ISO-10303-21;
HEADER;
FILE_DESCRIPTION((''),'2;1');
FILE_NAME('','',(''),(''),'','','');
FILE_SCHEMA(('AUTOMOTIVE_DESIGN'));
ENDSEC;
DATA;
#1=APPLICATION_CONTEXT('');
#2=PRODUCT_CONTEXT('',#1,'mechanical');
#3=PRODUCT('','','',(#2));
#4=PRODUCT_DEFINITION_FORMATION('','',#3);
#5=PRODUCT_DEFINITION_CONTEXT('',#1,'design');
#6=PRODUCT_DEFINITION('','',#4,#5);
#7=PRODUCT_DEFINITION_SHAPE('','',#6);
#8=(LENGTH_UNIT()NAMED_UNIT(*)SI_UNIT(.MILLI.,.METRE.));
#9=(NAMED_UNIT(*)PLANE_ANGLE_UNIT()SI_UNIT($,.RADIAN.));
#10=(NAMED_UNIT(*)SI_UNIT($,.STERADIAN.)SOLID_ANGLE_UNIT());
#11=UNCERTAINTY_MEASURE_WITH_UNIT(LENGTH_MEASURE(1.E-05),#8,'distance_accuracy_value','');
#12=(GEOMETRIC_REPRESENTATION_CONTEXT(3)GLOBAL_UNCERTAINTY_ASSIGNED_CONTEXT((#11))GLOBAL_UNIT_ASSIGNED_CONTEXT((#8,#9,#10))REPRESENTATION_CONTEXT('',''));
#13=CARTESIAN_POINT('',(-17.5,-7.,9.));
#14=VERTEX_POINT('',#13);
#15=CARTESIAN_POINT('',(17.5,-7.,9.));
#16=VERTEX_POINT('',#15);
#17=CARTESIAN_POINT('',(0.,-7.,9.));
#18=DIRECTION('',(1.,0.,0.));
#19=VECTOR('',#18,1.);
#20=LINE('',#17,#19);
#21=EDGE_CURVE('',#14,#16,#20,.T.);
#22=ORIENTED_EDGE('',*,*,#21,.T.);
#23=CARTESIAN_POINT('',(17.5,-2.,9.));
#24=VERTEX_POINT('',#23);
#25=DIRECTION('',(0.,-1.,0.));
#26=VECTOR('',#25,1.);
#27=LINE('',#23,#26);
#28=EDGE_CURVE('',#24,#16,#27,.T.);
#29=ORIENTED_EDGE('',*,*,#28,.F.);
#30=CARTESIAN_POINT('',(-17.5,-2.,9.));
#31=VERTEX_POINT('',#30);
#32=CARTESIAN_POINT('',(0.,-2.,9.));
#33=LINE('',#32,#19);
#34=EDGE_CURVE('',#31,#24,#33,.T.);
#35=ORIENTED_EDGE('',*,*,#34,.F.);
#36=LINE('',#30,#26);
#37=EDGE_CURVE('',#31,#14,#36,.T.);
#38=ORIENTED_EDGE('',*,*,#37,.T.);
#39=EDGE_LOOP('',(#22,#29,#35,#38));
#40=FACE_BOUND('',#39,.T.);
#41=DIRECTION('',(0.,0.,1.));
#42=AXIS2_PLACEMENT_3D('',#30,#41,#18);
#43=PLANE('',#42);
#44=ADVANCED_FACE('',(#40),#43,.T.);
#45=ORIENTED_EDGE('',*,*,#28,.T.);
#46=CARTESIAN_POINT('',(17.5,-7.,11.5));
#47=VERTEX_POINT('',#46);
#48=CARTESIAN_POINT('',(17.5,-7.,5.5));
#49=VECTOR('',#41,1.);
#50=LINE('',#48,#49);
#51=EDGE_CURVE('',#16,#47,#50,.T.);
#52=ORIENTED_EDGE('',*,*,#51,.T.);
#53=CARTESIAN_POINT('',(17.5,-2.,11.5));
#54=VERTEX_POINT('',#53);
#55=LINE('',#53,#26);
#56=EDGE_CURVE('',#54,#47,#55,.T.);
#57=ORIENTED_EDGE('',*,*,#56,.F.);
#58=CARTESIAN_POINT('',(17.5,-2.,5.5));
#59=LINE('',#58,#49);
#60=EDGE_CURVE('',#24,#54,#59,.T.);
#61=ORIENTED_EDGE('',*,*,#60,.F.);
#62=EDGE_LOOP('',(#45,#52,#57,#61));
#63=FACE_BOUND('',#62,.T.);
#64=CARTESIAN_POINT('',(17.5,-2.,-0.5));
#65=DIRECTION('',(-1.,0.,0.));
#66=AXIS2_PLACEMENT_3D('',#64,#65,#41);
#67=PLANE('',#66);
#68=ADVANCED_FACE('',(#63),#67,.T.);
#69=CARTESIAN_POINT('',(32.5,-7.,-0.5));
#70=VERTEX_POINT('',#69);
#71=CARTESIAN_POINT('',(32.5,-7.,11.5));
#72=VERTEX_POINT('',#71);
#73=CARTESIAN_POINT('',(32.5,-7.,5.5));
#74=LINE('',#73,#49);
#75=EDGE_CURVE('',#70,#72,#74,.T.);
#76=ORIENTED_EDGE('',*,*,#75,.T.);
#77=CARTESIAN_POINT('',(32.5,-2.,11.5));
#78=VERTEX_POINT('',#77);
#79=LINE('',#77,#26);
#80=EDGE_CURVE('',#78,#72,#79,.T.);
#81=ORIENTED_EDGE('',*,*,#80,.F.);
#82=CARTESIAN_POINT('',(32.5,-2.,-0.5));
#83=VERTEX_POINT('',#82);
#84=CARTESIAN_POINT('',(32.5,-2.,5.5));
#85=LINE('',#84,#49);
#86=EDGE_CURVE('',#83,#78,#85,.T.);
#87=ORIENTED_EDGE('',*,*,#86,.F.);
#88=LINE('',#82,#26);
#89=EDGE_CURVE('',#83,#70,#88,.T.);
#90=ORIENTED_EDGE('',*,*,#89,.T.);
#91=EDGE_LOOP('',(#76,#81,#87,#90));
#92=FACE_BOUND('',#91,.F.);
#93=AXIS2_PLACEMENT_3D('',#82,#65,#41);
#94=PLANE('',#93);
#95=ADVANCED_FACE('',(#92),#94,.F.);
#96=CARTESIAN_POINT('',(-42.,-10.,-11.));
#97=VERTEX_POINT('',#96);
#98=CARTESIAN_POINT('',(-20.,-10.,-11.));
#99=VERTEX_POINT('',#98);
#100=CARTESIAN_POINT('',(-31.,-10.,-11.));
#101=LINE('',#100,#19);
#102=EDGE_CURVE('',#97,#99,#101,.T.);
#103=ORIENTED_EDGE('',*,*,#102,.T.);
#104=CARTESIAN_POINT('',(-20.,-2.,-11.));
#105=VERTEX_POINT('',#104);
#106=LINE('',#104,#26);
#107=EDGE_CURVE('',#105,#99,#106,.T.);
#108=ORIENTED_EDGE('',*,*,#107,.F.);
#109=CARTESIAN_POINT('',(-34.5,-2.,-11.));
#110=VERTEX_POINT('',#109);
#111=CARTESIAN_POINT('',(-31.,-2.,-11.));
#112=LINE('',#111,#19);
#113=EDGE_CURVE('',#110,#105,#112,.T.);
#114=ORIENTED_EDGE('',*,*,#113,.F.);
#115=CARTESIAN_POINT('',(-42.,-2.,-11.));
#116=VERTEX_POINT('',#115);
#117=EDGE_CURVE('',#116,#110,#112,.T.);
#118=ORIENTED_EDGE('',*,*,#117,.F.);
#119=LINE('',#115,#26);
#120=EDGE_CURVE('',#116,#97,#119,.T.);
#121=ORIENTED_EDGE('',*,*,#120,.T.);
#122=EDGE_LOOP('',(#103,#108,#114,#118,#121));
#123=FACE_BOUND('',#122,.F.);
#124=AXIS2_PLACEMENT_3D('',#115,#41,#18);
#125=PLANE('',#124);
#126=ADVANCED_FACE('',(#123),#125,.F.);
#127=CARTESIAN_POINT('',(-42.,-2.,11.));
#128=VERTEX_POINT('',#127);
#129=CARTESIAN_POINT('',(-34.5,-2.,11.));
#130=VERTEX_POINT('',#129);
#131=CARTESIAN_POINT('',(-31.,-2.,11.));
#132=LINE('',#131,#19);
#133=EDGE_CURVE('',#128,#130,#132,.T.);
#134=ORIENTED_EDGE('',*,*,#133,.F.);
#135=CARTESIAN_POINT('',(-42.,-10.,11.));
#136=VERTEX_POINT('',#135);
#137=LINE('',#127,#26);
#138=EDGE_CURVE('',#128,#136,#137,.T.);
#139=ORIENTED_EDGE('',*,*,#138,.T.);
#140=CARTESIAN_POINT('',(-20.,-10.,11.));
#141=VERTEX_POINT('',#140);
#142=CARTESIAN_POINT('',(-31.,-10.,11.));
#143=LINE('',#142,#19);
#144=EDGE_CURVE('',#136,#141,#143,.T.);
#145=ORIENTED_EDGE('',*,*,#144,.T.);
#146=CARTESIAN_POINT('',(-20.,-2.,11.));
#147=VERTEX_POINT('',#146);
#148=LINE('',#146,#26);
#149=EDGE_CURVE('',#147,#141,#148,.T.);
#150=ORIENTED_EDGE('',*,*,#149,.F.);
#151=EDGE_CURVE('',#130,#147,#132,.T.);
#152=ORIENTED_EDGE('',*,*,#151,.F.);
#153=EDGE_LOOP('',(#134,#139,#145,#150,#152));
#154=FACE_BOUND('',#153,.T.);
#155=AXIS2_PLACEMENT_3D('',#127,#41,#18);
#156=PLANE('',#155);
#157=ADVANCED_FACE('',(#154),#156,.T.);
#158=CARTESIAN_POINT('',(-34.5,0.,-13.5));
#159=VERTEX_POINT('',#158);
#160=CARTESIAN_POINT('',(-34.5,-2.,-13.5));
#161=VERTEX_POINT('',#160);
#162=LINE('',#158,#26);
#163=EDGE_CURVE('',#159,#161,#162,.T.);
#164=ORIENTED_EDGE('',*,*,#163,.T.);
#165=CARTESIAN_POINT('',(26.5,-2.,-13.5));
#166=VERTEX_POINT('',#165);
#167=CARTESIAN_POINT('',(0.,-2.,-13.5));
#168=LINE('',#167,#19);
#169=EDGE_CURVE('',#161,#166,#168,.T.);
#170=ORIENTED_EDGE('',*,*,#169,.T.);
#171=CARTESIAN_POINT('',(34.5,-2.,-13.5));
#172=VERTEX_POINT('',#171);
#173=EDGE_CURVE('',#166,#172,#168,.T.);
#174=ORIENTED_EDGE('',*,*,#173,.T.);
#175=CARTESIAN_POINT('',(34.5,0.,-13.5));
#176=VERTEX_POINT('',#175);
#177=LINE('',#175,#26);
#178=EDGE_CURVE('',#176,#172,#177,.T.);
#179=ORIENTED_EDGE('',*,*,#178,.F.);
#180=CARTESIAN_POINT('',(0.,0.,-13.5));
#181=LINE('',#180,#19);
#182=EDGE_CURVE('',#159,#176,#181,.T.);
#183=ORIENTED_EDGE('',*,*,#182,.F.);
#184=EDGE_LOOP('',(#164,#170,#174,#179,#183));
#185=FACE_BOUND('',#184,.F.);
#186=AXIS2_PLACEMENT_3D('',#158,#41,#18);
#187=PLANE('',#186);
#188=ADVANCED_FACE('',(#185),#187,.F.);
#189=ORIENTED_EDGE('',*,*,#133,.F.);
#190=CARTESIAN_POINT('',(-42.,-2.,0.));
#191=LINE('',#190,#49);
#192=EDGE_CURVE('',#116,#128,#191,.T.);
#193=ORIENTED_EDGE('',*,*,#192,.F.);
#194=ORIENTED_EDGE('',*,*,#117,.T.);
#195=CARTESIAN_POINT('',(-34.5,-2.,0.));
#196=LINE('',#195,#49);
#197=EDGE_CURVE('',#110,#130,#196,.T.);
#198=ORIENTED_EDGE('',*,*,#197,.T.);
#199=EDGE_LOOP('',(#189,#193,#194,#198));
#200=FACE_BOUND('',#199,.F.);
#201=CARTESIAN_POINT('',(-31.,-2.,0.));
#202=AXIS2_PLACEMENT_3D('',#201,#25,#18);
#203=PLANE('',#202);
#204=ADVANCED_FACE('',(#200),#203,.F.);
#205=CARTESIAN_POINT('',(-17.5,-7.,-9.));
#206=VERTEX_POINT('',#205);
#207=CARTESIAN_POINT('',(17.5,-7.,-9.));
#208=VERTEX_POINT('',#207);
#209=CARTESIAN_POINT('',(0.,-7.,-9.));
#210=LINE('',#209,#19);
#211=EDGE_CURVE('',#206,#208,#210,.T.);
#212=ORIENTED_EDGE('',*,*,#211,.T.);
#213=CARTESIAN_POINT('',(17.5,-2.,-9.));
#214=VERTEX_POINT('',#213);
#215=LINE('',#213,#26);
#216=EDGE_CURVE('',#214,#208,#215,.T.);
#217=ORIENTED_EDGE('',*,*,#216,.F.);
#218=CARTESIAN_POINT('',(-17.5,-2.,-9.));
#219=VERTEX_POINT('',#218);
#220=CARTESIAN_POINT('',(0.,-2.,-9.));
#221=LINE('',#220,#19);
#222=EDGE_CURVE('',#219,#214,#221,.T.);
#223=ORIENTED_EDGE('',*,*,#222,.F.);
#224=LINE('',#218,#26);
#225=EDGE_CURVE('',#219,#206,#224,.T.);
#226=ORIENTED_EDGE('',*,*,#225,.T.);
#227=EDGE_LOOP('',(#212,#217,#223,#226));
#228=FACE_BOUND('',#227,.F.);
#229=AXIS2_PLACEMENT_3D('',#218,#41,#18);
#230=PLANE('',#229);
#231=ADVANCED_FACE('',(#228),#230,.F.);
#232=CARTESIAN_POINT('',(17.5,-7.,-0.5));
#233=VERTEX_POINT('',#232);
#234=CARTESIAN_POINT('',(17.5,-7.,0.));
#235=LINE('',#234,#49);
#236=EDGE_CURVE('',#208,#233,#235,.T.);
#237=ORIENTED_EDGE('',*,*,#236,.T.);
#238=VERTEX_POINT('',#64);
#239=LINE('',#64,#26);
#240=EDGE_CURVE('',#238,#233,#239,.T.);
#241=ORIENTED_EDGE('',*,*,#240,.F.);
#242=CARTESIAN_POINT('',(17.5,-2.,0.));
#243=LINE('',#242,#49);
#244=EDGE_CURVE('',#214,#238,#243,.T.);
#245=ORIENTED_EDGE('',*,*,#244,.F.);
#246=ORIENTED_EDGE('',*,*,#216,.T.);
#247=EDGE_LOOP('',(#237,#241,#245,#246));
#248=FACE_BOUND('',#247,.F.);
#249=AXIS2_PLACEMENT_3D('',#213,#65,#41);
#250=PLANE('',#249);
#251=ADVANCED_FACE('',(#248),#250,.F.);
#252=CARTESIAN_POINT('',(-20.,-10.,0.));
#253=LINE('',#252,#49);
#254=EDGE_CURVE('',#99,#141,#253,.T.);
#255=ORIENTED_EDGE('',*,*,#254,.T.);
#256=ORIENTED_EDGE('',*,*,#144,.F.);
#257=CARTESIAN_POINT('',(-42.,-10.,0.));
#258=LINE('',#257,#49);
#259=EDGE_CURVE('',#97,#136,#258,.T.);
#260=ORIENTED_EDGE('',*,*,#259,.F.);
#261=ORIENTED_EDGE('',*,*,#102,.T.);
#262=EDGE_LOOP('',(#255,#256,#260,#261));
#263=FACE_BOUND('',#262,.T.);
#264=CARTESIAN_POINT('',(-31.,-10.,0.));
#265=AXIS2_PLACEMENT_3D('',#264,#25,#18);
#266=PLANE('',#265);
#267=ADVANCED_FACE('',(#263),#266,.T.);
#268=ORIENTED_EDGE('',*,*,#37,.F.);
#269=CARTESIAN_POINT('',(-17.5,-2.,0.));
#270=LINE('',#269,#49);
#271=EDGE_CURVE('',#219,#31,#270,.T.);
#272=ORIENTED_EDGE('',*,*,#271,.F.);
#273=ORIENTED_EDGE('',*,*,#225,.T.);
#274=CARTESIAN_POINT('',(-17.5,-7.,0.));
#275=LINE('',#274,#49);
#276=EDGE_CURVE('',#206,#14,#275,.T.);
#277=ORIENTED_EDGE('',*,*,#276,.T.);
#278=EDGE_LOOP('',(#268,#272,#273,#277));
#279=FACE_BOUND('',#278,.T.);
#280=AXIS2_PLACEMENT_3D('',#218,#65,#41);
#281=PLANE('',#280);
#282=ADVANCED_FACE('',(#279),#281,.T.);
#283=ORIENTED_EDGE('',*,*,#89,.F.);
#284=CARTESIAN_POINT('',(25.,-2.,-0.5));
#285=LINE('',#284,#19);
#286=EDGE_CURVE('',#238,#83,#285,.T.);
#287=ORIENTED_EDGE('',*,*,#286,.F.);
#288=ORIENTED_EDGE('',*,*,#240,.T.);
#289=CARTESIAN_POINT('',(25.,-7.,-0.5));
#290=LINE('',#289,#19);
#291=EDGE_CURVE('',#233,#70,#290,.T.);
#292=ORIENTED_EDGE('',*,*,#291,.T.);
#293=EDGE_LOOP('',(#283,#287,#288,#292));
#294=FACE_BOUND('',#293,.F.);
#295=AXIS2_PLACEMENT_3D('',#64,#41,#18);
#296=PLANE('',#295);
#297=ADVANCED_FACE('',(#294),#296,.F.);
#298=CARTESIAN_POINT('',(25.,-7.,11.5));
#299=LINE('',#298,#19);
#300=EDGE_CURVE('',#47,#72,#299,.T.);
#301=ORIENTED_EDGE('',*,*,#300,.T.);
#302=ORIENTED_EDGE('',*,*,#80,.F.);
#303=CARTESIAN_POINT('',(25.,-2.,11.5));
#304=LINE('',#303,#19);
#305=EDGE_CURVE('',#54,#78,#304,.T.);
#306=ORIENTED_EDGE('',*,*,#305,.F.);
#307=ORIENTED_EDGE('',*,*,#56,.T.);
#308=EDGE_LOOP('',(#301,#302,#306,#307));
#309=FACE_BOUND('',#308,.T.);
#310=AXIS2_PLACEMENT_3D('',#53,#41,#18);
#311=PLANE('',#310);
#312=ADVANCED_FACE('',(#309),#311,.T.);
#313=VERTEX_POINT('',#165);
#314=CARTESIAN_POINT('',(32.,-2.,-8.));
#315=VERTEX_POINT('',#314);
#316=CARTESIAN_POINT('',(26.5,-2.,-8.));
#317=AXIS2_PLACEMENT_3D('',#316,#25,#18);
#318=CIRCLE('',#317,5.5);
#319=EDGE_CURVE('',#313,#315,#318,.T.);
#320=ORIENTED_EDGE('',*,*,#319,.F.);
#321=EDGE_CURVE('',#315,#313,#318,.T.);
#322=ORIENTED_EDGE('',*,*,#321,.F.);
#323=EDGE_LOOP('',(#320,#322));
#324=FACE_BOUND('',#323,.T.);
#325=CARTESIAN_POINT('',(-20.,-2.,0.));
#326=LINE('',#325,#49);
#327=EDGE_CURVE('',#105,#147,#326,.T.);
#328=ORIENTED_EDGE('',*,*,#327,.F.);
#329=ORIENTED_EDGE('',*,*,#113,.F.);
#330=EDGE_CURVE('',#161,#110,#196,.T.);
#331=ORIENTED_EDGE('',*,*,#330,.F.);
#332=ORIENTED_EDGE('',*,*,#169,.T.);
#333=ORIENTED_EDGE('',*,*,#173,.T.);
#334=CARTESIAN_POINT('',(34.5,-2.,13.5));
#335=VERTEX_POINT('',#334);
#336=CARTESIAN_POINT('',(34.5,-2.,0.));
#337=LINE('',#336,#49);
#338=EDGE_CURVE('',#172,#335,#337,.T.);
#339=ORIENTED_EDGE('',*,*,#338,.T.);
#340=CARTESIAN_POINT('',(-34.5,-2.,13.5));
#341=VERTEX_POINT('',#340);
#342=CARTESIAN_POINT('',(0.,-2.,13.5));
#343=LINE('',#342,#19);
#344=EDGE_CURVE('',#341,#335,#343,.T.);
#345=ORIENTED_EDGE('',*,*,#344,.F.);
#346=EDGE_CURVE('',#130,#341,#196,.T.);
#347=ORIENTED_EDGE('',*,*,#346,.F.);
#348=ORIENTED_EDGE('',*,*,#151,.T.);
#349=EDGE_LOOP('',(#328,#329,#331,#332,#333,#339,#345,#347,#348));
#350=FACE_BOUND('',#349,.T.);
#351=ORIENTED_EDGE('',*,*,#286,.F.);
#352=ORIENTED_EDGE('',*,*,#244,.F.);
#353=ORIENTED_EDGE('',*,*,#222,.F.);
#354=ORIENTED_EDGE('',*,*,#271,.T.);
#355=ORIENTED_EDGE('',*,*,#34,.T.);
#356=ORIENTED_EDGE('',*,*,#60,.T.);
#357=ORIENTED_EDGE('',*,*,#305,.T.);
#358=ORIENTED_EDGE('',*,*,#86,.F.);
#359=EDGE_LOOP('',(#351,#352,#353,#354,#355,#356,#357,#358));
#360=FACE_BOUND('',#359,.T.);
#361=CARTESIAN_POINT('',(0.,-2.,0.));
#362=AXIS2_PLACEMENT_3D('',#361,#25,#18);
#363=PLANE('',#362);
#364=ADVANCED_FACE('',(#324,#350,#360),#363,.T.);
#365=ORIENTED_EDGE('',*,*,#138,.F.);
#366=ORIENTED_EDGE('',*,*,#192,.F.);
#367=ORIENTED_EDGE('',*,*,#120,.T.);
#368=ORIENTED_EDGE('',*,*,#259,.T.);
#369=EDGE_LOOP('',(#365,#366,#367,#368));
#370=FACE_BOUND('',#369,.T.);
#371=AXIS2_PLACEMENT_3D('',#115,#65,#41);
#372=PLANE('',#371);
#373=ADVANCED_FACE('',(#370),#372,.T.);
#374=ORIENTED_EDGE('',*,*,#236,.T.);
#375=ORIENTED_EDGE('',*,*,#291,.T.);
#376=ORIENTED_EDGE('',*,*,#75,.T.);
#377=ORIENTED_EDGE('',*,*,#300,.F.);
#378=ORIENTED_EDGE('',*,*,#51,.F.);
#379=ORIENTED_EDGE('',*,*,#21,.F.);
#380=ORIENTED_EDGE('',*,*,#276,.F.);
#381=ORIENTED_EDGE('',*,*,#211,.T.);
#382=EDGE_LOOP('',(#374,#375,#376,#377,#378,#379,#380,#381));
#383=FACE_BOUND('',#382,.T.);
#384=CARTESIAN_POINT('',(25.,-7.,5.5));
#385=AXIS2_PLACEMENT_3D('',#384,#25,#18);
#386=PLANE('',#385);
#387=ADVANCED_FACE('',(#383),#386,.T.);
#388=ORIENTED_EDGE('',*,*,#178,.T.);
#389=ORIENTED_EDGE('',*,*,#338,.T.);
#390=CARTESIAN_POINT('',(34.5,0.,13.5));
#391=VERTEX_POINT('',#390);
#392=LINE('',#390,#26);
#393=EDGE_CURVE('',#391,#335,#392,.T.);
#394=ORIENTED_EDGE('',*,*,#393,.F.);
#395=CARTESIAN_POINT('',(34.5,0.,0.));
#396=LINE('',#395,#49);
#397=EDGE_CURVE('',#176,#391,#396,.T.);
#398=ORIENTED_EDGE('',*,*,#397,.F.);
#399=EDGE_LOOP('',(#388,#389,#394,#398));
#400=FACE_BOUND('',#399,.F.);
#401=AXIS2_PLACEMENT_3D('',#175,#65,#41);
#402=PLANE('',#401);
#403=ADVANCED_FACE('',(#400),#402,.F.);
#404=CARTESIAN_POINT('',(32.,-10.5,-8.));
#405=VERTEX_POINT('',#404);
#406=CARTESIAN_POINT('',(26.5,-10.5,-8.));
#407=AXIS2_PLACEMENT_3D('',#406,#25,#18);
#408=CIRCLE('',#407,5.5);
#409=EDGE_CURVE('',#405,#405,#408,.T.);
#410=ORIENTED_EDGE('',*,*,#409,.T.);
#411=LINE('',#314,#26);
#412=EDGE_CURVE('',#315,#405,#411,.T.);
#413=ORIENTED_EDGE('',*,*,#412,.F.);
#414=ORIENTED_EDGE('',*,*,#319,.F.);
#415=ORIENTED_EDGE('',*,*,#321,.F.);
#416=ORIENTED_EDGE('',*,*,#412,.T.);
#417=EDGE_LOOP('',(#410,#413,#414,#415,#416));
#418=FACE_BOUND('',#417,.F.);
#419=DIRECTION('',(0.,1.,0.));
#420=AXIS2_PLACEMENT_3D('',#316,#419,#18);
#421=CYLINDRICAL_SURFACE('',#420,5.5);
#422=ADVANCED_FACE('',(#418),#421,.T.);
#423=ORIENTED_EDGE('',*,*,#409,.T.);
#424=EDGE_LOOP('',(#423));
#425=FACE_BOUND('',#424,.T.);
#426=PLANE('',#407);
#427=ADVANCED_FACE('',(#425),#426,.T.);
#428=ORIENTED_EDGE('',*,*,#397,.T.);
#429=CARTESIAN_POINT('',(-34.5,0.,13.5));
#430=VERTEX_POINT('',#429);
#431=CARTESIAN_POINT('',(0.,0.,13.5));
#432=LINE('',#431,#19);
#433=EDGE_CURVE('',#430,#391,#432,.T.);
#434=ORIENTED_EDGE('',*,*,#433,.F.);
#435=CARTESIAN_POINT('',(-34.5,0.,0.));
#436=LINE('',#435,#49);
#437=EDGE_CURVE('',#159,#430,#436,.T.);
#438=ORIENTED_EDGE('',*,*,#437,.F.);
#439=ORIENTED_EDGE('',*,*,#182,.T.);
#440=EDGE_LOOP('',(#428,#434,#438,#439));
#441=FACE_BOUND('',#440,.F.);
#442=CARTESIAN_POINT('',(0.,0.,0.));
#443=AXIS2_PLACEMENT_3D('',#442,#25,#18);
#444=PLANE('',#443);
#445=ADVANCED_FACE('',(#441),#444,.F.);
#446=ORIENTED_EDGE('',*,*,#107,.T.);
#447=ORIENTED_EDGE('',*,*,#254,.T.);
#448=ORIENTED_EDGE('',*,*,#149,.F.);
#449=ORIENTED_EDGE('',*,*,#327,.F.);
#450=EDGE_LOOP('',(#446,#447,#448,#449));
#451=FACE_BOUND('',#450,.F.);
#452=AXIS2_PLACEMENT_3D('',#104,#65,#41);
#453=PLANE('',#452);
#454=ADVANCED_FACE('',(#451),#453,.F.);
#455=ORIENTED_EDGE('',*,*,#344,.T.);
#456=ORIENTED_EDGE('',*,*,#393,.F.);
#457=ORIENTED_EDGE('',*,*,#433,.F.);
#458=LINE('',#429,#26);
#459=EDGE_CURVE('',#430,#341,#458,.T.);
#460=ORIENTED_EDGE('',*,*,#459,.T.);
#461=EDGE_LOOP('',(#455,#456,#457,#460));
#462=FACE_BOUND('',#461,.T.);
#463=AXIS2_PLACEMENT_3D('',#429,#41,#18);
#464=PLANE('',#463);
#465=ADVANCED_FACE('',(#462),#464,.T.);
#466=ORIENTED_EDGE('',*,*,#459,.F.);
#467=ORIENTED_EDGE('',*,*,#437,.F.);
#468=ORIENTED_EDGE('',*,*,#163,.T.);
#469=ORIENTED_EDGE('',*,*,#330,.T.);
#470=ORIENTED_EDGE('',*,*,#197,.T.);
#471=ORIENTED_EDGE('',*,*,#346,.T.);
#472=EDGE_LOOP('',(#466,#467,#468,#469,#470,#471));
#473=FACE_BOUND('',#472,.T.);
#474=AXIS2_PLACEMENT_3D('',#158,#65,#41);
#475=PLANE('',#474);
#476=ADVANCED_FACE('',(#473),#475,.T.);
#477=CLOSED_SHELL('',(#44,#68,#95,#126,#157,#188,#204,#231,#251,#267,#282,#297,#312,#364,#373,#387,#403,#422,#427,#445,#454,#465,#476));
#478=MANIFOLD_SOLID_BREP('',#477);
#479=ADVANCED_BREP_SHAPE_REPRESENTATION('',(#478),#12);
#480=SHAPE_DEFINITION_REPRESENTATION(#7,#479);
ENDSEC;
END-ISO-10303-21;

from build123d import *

# Parameters (mm, degrees)
F0_W     = 69
F0_H     = 27
F1_DEPTH = 2
F2_W     = 22
F2_H     = 22
F3_DEPTH = 8
F4_W     = 35
F4_H     = 18
F5_DEPTH = 5
F6_W     = 15
F6_H     = 12
F7_DEPTH = 5
F8_R     = 5.5
F9_DEPTH = 8.5


with BuildPart() as f1:
    # F0 (on Front) → F1 (new body)
    with BuildSketch(Plane.XZ):
        Rectangle(F0_W, F0_H)
    extrude(amount=F1_DEPTH)

    # F2 (on face) → F3 (join)
    with BuildSketch(Plane.XZ.offset(2)):
        with Locations((-31, 0)):
            Rectangle(F2_W, F2_H)
    extrude(amount=F3_DEPTH)

    # F4 (on face) → F5 (join)
    with BuildSketch(Plane.XZ.offset(2)):
        Rectangle(F4_W, F4_H)
    extrude(amount=F5_DEPTH)

    # F6 (on face) → F7 (join)
    with BuildSketch(Plane.XZ.offset(2)):
        with Locations((25, 5.5)):
            Rectangle(F6_W, F6_H)
    extrude(amount=F7_DEPTH)

    # F8 (on face) → F9 (join)
    with BuildSketch(Plane.XZ.offset(2)):
        with Locations((26.5, -8)):
            Circle(F8_R)
    extrude(amount=F9_DEPTH)


solid = f1.part
